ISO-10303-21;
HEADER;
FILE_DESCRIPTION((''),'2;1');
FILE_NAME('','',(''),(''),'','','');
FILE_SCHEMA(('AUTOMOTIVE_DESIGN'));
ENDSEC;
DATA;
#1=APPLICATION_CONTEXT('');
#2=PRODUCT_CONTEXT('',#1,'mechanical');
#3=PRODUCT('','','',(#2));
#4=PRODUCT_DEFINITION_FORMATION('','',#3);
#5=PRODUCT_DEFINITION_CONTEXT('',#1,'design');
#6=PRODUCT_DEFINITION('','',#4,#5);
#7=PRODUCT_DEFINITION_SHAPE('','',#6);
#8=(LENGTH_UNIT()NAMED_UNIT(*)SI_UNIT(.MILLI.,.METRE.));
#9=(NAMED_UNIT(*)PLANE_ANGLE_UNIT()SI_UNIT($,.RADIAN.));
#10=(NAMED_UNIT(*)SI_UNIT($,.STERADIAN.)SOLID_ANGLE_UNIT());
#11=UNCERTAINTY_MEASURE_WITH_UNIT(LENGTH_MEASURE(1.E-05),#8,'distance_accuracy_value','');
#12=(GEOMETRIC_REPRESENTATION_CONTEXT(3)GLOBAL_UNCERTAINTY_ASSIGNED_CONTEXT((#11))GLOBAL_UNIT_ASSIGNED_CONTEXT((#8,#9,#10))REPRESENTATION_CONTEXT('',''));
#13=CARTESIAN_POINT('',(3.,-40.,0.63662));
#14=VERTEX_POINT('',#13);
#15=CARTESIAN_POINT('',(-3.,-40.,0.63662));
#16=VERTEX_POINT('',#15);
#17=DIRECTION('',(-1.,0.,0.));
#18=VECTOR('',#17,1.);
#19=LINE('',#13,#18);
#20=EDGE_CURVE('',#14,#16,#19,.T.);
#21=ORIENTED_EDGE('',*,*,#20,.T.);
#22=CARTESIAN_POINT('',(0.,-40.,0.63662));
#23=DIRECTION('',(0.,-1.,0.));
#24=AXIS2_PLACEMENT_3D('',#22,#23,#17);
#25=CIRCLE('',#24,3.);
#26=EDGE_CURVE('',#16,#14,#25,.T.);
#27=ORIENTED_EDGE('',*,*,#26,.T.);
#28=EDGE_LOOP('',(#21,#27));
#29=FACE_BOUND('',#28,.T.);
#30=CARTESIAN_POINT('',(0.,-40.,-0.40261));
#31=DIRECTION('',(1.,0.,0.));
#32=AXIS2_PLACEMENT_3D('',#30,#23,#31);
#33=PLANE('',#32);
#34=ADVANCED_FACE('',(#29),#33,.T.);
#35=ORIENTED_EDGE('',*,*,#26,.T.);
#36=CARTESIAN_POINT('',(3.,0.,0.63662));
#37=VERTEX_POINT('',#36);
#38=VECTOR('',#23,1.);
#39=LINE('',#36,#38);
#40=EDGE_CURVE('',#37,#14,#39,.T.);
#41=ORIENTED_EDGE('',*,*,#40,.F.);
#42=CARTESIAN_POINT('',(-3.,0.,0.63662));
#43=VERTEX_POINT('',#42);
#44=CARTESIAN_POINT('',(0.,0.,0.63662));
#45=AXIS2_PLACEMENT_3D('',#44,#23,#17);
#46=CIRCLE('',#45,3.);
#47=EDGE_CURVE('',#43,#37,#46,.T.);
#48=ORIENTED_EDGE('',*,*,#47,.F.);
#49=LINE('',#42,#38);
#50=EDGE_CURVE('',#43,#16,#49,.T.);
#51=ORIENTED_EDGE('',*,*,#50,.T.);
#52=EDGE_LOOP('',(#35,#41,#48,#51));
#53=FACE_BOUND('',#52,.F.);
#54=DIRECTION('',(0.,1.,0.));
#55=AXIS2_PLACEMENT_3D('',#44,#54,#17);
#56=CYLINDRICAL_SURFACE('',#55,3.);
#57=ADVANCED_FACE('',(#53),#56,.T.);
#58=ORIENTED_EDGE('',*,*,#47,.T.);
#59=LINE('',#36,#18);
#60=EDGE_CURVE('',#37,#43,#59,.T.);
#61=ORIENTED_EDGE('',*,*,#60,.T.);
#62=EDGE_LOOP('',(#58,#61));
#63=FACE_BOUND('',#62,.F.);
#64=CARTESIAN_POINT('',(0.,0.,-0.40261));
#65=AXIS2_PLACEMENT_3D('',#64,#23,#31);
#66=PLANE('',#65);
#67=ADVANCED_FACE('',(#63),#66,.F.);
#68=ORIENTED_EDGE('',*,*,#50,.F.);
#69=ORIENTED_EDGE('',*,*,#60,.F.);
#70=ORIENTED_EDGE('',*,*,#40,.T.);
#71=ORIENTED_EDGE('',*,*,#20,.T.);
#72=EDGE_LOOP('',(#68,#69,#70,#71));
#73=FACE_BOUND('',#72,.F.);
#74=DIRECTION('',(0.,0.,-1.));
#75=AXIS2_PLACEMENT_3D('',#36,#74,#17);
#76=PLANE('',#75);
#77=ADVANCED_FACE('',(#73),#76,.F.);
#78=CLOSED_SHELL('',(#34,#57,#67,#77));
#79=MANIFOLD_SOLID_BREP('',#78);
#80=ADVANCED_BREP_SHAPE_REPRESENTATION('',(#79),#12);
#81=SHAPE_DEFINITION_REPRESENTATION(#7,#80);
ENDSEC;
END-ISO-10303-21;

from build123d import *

# Parameters (mm, degrees)
F1_DEPTH = 40


with BuildPart() as f1:
    # F0 (on Front) → F1 (new body)
    with BuildSketch(Plane.XZ):
        with BuildLine():
            Line((3, 0.63662), (0, 0.63662))
            Line((0, 0.63662), (-3, 0.63662))
            ThreePointArc((-3, 0.63662), (0, -2.36338), (3, 0.63662))
        make_face()
    extrude(amount=F1_DEPTH)


solid = f1.part
